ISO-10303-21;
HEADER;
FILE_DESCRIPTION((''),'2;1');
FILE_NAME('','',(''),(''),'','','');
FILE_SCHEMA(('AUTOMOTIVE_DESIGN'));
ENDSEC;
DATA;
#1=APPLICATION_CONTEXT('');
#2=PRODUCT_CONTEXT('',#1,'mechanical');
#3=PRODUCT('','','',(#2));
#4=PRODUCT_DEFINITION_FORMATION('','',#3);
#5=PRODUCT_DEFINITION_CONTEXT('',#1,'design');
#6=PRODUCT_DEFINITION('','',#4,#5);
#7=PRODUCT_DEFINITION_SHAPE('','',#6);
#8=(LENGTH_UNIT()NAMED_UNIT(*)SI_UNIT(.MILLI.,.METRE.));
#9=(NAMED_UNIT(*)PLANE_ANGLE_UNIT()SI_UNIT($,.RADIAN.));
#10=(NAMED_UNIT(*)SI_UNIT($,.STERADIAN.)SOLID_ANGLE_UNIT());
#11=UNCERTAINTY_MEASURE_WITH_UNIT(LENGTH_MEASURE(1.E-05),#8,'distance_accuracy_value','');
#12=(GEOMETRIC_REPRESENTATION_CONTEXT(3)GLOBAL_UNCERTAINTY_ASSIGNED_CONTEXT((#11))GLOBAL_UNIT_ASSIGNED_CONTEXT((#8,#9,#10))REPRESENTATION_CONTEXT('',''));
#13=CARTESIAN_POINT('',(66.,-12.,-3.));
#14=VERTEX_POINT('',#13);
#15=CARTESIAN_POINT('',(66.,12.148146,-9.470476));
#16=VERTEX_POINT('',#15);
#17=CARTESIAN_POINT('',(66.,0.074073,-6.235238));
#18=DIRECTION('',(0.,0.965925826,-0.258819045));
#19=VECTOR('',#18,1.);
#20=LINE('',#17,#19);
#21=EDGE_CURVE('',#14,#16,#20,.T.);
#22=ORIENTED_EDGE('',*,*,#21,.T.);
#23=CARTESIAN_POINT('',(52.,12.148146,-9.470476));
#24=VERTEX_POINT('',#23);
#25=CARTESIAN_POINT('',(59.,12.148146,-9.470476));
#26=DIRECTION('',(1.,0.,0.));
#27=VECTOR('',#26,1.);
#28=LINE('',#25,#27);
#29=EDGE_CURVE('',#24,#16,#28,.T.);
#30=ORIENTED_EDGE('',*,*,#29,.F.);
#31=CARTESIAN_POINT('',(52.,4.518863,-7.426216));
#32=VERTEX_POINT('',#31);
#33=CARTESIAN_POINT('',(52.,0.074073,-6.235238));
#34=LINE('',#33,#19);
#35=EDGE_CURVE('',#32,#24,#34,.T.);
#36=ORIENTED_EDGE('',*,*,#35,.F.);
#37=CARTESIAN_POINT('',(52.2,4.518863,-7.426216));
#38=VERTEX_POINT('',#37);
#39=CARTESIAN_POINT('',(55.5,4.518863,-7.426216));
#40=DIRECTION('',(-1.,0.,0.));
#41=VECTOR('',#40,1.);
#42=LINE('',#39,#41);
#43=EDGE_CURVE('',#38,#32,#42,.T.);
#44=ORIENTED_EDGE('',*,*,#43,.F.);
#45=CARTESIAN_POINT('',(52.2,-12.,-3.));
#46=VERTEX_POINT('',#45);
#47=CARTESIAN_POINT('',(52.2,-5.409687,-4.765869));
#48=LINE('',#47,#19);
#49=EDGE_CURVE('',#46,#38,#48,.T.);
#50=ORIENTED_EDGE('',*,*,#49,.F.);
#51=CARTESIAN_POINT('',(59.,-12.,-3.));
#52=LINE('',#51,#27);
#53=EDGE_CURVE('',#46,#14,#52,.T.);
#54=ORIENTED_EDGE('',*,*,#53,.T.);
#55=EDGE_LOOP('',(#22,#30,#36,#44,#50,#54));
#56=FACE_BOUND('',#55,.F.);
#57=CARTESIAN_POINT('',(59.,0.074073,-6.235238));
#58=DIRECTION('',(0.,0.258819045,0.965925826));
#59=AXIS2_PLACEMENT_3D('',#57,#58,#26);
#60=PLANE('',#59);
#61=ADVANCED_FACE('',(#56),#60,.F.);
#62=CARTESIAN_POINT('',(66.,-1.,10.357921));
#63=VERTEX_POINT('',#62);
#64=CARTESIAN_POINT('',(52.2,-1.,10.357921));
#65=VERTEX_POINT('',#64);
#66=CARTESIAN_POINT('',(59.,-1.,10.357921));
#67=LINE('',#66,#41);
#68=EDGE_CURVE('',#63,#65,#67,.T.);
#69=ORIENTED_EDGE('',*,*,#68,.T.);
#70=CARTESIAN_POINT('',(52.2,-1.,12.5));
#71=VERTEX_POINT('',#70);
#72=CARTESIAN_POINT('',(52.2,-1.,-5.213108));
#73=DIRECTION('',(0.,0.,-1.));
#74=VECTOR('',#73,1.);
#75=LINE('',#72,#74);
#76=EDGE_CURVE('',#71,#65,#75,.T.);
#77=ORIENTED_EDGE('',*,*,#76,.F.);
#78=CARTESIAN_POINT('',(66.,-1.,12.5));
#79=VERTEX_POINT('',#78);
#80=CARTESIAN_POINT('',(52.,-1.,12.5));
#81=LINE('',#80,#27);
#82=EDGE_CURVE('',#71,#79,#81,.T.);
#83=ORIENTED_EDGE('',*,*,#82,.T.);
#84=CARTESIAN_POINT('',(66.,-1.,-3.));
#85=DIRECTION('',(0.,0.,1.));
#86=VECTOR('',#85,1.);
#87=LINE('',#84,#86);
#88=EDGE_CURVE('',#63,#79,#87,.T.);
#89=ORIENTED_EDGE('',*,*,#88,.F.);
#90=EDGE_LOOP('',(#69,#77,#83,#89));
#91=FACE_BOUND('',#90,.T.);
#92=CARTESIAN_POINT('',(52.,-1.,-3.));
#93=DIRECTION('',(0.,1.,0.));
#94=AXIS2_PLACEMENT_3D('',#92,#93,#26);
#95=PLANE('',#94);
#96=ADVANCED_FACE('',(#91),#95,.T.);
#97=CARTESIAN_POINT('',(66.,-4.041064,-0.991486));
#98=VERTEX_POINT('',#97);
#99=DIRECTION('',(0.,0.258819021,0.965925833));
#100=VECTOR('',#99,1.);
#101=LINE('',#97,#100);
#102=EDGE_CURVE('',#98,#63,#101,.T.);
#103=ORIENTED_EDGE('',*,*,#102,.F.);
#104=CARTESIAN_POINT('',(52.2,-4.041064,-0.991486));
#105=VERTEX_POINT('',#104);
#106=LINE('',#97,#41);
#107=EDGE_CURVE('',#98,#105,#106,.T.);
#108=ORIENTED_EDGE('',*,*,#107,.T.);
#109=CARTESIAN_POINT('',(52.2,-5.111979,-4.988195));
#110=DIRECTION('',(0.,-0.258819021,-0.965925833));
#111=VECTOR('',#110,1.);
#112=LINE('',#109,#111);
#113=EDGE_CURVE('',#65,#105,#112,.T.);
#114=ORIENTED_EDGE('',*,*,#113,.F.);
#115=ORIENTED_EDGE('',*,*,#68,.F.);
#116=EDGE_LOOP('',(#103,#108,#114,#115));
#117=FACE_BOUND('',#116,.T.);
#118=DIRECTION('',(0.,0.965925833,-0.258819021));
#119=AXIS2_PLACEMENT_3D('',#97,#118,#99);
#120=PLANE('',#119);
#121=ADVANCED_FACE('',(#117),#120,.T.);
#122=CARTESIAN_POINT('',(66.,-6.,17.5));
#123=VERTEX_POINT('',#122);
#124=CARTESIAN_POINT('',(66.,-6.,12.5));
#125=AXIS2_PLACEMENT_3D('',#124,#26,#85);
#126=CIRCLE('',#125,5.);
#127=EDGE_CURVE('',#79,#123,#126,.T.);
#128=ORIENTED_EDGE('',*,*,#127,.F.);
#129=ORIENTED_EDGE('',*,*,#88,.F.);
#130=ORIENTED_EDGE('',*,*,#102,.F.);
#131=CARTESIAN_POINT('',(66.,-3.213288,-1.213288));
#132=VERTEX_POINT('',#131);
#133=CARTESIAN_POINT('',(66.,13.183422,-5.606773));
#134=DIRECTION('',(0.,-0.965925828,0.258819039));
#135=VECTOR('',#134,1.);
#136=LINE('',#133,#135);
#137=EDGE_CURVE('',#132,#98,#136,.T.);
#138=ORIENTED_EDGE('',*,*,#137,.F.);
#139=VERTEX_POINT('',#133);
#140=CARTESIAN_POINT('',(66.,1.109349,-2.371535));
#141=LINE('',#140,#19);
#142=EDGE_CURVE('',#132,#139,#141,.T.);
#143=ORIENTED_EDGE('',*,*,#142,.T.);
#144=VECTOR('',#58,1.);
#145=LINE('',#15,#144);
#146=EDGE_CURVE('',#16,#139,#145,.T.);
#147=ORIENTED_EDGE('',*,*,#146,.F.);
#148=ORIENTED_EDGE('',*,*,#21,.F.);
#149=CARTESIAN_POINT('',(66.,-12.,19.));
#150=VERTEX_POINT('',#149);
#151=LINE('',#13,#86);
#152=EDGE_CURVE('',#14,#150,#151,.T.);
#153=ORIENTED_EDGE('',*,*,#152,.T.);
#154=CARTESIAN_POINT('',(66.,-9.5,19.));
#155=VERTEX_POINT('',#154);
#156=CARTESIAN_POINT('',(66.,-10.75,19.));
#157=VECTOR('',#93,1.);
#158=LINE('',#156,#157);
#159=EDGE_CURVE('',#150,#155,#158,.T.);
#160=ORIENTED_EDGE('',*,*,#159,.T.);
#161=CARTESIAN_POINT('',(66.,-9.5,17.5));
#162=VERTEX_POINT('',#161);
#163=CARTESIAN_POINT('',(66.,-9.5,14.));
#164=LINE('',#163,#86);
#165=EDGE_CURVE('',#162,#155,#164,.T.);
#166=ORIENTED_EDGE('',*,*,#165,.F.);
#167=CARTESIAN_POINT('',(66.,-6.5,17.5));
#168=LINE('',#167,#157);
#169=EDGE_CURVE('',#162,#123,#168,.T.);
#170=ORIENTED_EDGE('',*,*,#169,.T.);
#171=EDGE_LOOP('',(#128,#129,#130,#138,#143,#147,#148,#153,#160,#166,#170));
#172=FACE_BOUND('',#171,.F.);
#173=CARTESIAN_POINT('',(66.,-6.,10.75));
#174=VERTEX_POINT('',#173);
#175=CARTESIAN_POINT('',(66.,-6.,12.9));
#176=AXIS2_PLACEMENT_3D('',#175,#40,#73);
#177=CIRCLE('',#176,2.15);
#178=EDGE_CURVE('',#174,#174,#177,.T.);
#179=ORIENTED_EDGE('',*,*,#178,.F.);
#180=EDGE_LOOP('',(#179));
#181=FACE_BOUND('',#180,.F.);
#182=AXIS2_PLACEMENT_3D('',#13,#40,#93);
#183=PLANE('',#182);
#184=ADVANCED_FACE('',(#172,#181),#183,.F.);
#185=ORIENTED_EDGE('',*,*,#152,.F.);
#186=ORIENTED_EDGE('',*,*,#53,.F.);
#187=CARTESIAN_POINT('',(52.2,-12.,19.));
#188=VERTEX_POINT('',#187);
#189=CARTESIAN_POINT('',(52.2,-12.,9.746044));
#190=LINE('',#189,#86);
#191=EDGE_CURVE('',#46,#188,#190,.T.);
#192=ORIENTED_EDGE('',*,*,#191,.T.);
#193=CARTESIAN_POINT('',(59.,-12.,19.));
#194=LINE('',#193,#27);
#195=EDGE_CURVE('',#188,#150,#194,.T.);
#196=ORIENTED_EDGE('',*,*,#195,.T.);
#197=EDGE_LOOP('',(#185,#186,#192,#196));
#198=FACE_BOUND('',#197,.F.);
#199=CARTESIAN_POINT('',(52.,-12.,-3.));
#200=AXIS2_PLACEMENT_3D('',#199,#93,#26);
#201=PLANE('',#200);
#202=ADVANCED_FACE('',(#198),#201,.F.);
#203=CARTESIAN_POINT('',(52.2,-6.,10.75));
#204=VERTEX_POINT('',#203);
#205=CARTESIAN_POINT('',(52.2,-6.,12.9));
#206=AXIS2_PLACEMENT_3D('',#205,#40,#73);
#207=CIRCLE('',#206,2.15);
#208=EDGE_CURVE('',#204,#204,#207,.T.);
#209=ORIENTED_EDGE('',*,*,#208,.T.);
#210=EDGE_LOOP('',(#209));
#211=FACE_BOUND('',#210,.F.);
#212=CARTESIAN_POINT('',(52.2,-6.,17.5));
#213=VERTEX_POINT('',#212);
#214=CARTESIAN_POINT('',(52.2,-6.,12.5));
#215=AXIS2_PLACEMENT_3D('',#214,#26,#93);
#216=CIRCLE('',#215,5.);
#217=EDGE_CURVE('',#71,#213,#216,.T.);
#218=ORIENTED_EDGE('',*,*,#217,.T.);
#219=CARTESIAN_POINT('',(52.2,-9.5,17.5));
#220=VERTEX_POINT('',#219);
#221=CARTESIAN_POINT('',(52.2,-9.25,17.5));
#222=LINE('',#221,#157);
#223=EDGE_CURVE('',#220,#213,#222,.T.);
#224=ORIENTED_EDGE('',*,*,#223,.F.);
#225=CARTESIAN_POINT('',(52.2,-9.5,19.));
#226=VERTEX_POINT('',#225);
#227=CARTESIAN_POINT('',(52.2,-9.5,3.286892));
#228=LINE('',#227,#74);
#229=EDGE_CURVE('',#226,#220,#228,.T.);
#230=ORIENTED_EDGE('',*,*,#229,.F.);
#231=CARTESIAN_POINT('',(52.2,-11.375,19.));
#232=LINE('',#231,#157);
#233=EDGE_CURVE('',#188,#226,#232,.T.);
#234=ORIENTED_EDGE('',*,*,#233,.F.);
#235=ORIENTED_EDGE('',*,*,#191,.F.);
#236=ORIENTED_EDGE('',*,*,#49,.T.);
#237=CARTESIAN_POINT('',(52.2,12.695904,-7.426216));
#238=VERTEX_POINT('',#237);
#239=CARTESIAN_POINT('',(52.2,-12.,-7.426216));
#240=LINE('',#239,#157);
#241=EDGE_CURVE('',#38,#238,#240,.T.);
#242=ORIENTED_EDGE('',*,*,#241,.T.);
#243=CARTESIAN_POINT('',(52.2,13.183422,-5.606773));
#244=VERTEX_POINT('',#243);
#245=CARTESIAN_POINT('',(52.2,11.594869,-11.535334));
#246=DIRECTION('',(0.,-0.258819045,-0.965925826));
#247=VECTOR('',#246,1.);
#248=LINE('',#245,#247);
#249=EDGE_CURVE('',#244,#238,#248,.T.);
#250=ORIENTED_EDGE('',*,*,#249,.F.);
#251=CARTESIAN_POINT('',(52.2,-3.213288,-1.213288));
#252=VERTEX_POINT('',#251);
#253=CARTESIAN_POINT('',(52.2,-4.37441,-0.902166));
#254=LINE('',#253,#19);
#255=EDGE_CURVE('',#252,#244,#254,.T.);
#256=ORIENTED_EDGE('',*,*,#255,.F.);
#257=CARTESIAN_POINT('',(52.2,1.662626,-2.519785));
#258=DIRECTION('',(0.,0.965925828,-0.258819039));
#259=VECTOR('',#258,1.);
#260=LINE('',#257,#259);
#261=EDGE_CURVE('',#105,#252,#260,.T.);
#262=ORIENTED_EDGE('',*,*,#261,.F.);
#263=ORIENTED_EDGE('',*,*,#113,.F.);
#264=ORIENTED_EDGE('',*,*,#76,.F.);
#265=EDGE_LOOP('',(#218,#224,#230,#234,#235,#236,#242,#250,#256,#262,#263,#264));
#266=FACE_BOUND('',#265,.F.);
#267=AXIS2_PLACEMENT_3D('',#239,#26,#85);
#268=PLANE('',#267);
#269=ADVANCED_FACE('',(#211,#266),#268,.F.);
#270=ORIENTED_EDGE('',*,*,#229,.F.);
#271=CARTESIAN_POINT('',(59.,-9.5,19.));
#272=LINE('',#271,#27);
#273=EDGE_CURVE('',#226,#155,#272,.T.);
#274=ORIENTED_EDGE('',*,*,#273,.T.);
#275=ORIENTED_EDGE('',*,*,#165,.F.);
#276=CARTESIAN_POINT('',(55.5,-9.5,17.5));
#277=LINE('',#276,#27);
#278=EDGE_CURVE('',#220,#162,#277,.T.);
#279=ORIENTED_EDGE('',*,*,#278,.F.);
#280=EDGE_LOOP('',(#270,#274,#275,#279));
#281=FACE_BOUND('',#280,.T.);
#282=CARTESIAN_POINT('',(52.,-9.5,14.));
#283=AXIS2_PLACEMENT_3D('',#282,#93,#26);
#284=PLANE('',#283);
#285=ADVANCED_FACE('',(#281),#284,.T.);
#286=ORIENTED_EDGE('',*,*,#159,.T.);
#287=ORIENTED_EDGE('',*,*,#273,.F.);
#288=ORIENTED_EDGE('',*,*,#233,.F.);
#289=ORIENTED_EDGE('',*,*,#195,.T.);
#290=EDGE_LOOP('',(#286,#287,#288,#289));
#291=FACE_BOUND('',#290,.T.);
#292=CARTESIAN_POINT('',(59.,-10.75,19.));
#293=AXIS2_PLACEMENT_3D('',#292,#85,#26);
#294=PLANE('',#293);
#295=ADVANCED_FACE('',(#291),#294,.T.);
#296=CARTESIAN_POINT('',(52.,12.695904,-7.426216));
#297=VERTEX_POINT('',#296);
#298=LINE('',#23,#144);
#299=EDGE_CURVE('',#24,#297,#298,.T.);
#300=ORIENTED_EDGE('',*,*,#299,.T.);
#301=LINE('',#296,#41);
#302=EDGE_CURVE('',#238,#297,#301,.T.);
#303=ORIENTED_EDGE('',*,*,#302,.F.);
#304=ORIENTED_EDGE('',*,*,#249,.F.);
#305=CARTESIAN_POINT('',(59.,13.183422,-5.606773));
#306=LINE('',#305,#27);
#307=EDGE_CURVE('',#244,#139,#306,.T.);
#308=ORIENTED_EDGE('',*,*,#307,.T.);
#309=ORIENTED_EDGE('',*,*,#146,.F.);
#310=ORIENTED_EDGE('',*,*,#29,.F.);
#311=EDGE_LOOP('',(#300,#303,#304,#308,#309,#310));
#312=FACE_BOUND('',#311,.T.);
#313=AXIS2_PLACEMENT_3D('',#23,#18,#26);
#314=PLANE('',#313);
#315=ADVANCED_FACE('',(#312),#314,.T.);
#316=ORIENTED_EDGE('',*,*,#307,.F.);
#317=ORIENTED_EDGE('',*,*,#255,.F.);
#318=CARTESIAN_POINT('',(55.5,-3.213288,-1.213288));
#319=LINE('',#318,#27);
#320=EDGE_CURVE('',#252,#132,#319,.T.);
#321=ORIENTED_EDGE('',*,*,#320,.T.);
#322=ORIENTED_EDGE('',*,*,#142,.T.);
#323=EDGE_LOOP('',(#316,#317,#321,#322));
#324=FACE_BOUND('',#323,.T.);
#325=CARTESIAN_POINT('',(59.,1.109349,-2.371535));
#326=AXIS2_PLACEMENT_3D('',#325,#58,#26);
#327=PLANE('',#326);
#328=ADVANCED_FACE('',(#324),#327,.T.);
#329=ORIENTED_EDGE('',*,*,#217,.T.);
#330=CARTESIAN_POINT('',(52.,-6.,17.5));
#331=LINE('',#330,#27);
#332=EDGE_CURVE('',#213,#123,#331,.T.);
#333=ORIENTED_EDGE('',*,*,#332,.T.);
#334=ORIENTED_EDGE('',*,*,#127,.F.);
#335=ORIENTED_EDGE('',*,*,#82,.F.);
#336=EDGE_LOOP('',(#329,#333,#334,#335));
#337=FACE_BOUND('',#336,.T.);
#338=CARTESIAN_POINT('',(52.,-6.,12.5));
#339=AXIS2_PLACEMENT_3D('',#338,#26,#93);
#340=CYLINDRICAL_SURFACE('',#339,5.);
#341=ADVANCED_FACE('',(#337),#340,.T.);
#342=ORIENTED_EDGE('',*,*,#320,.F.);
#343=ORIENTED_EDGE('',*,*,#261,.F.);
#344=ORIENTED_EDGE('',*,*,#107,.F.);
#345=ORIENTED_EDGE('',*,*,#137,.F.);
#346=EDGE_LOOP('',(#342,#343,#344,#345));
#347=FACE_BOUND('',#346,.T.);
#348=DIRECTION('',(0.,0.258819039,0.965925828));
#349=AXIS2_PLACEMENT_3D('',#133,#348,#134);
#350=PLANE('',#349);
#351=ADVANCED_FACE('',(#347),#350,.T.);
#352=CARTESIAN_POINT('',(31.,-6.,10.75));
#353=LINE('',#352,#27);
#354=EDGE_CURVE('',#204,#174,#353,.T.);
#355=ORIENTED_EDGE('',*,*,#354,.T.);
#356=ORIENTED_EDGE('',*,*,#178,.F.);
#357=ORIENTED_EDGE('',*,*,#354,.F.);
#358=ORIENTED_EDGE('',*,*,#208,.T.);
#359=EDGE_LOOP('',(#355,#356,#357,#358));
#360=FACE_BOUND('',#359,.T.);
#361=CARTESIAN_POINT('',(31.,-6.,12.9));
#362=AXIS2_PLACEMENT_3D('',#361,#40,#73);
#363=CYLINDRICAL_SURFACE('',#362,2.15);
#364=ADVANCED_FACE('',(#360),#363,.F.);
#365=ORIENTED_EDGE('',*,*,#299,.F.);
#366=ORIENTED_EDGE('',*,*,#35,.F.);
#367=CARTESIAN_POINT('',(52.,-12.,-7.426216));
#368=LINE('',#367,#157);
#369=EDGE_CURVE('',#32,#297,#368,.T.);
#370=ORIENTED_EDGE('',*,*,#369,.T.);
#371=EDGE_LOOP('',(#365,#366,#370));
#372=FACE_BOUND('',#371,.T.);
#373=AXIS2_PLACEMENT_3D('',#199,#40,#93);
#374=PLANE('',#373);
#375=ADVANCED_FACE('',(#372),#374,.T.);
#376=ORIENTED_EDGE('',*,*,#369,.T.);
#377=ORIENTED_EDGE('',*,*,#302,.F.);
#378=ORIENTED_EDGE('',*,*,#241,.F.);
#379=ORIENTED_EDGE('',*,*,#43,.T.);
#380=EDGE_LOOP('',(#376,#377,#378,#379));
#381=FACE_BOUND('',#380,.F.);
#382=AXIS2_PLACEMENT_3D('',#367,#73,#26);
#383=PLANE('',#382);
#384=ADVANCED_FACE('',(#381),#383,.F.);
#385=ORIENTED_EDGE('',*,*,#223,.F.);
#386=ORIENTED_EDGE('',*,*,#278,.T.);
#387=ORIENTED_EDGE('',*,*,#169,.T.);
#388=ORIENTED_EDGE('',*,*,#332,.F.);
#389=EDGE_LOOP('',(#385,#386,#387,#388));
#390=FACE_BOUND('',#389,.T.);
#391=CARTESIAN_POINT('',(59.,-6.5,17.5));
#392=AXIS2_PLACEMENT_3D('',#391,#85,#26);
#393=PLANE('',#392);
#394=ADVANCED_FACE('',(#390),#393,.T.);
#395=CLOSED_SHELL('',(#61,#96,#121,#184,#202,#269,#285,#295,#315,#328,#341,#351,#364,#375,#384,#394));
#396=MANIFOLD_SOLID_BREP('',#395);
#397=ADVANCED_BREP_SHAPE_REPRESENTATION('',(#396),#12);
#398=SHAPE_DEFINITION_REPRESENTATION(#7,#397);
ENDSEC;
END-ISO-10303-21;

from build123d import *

# Parameters (mm, degrees)
CYLINDER_R           = 2.15
CYLINDER_DEPTH       = 50
CYLINDER_PITCH_ANGLE = 90
BOX002_W             = 14
BOX002_H             = 11
BOX002_DEPTH         = 20.5
CHAMFER_SIZE         = 4
FILLET001_R          = 5
BOX003_W             = 14
BOX003_H             = 25
BOX003_DEPTH         = 4
BOX003_ROLL_ANGLE    = -15
BOX004_W             = 14
BOX004_H             = 2.5
BOX004_DEPTH         = 5
POCKET006_DEPTH      = 15
SKETCH008_W          = 0.2
SKETCH008_H          = 34.34452
POCKET008_DEPTH      = 80


with BuildPart() as cylinder:
    # Cylinder → Cylinder (new body)
    with BuildSketch(Plane.XY):
        Circle(CYLINDER_R)
    extrude(amount=CYLINDER_DEPTH)


with BuildPart() as cylinder_1:
    # Cylinder pitch: moved
    add(cylinder.part.rotate(Axis((0, 0, 0), (0, 1, 0)), CYLINDER_PITCH_ANGLE))


with BuildPart() as cylinder_2:
    # Cylinder placement: moved
    add(cylinder_1.part.moved(Location((31, -6, 12.9))))


with BuildPart() as fillet001:
    # Box002 → Box002 (new body)
    with BuildSketch(Plane(origin=(52, -12, -3), x_dir=(1, 0, 0), z_dir=(0, 0, 1))):
        with Locations((7, 5.5)):
            Rectangle(BOX002_W, BOX002_H)
    extrude(amount=BOX002_DEPTH)

    # Chamfer
    chamfer_edges = [fillet001.edges().sort_by_distance(p)[0] for p in [
        (59, -1, -3),
    ]]
    chamfer(chamfer_edges, length=CHAMFER_SIZE)

    # Fillet001
    fillet001_edges = [fillet001.edges().sort_by_distance(p)[0] for p in [
        (59, -1, 17.5),
    ]]
    fillet(fillet001_edges, radius=FILLET001_R)


with BuildPart() as cube002:
    # Box003 → Box003 (new body)
    with BuildSketch(Plane.XY):
        with Locations((7, 12.5)):
            Rectangle(BOX003_W, BOX003_H)
    extrude(amount=BOX003_DEPTH)


with BuildPart() as cube002_1:
    # Box003 roll: moved
    add(cube002.part.rotate(Axis((0, 0, 0), (1, 0, 0)), BOX003_ROLL_ANGLE))


with BuildPart() as cube002_2:
    # Box003 placement: moved
    add(cube002_1.part.moved(Location((52, -12, -3))))


with BuildPart() as pocket008:
    # Box004 → Box004 (new body)
    with BuildSketch(Plane(origin=(52, -12, 14), x_dir=(1, 0, 0), z_dir=(0, 0, 1))):
        with Locations((7, 1.25)):
            Rectangle(BOX004_W, BOX004_H)
    extrude(amount=BOX004_DEPTH)

    # Fusion: union Fillet001, Cube002
    add(fillet001.part)
    add(cube002_2.part)

    # Cut001: cut Cylinder
    add(cylinder_2.part, mode=Mode.SUBTRACT)

    # Sketch006 → Pocket006 (cut)
    with BuildSketch(Plane.YZ.offset(66)):
        Polygon((13.183422, -5.606773), (-4.041064, -0.991486), (-0.407217, 12.570217), align=None)
    extrude(amount=-POCKET006_DEPTH, mode=Mode.SUBTRACT)

    # Sketch008 → Pocket008 (cut)
    with BuildSketch(Plane.XZ.offset(12)):
        with Locations((52.1, 9.746044)):
            Rectangle(SKETCH008_W, SKETCH008_H)
    extrude(amount=-POCKET008_DEPTH, mode=Mode.SUBTRACT)


solid = pocket008.part
